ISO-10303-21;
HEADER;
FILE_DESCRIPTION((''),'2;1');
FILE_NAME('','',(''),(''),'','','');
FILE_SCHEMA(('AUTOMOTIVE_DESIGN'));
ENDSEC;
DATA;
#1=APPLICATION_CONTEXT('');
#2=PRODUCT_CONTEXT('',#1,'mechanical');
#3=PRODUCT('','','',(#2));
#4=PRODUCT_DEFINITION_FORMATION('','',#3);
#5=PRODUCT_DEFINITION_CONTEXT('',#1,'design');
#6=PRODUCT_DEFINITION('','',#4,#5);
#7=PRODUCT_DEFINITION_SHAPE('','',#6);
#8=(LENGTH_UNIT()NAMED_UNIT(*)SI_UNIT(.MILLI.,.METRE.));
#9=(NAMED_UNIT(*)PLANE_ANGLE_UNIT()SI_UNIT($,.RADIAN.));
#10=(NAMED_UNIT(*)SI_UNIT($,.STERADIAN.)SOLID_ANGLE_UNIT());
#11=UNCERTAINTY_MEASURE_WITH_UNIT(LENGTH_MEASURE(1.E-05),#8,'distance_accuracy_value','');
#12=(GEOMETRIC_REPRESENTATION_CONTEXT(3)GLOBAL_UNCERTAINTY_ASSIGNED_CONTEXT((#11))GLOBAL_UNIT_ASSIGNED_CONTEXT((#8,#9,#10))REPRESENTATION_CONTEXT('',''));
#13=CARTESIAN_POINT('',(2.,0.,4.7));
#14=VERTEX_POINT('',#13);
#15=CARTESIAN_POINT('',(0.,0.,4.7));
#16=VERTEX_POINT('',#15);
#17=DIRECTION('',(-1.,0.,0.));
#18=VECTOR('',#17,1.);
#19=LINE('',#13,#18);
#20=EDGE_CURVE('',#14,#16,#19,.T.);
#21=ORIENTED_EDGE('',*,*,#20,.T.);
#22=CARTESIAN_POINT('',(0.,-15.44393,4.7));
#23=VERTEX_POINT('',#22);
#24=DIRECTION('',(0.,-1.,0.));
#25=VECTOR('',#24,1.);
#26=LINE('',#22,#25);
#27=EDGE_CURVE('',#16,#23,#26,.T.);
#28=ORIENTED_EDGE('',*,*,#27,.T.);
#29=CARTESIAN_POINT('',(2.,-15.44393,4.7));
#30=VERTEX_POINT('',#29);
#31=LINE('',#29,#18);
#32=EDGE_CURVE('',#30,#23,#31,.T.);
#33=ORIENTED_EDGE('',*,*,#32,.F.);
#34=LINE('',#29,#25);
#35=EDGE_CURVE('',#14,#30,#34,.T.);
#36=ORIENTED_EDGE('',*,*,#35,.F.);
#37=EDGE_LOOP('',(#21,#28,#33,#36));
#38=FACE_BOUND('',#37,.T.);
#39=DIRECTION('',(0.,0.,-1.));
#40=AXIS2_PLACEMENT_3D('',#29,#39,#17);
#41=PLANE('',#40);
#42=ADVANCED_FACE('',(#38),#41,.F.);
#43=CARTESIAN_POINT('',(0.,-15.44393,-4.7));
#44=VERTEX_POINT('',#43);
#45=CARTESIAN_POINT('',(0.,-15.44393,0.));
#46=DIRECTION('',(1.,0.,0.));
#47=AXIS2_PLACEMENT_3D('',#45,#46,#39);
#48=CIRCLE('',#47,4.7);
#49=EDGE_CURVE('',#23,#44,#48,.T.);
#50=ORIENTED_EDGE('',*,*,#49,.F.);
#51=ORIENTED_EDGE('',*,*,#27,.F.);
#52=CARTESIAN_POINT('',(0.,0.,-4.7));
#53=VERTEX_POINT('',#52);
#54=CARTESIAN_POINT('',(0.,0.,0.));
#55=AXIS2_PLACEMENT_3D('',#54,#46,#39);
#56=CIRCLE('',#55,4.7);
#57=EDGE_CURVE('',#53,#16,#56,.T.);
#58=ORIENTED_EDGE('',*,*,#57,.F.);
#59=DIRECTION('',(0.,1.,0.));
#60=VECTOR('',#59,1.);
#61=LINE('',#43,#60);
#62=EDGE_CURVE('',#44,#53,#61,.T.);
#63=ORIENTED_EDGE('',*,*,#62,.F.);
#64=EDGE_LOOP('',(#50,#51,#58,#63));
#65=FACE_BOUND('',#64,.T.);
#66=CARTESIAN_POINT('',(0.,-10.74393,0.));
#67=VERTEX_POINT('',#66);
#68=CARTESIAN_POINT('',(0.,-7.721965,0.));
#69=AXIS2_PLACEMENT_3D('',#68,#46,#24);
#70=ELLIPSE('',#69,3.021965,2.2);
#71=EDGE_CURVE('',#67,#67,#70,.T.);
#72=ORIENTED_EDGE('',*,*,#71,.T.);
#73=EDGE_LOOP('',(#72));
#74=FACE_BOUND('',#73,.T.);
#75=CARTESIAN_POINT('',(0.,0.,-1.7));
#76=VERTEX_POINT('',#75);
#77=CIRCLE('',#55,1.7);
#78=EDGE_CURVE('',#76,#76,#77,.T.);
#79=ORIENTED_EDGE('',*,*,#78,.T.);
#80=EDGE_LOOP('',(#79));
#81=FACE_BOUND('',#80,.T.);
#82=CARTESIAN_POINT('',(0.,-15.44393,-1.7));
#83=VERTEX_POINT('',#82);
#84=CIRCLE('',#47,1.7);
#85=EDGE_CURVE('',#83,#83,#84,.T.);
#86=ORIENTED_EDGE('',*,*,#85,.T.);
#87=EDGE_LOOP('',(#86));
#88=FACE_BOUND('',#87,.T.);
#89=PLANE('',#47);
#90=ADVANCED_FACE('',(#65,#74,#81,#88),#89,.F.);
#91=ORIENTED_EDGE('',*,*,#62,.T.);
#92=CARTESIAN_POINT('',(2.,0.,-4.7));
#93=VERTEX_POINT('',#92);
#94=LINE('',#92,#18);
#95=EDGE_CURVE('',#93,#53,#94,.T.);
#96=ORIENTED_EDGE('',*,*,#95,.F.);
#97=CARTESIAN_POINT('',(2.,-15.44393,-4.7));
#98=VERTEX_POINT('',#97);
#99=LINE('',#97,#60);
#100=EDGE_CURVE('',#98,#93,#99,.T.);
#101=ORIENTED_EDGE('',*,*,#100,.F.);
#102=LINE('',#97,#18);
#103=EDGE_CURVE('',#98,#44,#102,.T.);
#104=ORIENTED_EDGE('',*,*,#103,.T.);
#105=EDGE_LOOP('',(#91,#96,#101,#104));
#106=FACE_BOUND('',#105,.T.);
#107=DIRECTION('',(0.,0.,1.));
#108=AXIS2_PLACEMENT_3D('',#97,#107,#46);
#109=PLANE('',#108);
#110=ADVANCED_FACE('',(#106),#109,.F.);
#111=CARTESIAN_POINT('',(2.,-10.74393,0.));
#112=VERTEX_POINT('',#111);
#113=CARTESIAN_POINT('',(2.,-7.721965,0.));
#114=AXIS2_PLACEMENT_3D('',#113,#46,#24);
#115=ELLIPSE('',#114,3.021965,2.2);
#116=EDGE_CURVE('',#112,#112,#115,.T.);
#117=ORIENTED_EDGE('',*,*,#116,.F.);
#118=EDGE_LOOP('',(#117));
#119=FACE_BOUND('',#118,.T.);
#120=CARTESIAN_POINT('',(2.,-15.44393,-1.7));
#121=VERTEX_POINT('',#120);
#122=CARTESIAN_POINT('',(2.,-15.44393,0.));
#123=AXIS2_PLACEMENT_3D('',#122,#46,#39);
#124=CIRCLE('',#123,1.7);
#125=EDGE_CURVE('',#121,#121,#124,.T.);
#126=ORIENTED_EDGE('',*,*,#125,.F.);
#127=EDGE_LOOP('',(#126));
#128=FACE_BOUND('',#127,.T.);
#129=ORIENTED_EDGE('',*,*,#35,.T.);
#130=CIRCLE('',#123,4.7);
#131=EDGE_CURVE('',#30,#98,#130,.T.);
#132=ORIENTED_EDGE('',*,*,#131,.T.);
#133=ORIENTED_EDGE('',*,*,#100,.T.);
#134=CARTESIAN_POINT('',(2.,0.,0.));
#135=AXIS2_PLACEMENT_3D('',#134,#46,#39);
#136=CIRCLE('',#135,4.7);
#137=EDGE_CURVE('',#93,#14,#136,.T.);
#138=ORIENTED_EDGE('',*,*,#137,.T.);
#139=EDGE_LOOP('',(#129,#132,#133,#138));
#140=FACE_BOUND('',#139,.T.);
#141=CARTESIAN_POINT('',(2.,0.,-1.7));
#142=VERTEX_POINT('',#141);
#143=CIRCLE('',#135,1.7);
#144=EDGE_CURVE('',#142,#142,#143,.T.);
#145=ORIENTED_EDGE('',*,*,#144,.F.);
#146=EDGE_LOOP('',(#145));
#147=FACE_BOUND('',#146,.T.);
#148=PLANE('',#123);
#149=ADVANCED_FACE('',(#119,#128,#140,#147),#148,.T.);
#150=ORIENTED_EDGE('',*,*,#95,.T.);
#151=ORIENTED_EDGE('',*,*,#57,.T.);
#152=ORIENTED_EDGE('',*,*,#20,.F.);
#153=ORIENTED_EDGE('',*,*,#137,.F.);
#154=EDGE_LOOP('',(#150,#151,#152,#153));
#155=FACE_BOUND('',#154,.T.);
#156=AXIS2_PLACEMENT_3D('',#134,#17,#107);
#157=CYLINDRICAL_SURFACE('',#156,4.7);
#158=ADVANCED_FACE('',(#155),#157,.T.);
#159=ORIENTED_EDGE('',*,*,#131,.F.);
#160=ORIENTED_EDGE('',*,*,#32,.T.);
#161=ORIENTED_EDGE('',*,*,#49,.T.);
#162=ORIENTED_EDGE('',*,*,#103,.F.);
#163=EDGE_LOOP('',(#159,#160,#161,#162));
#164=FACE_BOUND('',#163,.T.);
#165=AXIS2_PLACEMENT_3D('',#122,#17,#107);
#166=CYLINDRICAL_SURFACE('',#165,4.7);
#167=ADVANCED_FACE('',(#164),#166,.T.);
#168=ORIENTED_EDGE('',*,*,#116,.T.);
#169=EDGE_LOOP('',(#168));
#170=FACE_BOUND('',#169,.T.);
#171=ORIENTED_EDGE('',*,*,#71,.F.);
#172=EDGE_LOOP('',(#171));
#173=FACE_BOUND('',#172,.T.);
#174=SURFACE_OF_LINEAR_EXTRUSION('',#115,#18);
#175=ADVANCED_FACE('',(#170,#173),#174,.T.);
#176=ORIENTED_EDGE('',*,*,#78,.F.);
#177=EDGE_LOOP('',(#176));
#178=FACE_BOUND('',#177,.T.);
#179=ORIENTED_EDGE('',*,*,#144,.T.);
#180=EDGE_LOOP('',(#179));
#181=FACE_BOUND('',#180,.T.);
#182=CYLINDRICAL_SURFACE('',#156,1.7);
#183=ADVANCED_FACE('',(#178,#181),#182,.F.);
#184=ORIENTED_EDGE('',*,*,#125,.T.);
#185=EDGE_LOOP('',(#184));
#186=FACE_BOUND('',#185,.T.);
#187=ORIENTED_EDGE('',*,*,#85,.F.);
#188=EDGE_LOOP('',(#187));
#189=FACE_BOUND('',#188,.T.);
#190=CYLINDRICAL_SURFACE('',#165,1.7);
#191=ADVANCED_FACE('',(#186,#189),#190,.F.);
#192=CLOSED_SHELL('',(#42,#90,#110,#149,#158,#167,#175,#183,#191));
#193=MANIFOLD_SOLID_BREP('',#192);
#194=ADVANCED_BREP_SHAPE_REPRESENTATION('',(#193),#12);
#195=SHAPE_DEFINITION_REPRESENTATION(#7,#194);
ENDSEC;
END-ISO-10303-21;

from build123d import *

# Parameters (mm, degrees)
SKETCH1_R           = 1.7
SKETCH1_RX          = 3.021964858
SKETCH1_RY          = 2.2
BOSS_EXTRUDE1_DEPTH = 2


with BuildPart() as part:
    # Sketch1 → Boss-Extrude1 (new body)
    with BuildSketch(Plane(origin=(0, 0, 0), x_dir=(0, 0, -1), z_dir=(1, 0, 0))):
        with BuildLine():
            Line((-4.7, -15.443929717), (-4.7, 0))
            ThreePointArc((-4.7, 0), (0, 4.7), (4.7, 0))
            Line((4.7, 0), (4.7, -15.443929717))
            ThreePointArc((4.7, -15.443929717), (0, -20.143929717), (-4.7, -15.443929717))
        make_face()
        Circle(SKETCH1_R, mode=Mode.SUBTRACT)
        with Locations((0, -15.443929717)):
            Circle(SKETCH1_R, mode=Mode.SUBTRACT)
        with Locations(Location((0, -7.721964858), (0, 0, -90))):
            Ellipse(SKETCH1_RX, SKETCH1_RY, mode=Mode.SUBTRACT)
    extrude(amount=BOSS_EXTRUDE1_DEPTH)


solid = part.part
